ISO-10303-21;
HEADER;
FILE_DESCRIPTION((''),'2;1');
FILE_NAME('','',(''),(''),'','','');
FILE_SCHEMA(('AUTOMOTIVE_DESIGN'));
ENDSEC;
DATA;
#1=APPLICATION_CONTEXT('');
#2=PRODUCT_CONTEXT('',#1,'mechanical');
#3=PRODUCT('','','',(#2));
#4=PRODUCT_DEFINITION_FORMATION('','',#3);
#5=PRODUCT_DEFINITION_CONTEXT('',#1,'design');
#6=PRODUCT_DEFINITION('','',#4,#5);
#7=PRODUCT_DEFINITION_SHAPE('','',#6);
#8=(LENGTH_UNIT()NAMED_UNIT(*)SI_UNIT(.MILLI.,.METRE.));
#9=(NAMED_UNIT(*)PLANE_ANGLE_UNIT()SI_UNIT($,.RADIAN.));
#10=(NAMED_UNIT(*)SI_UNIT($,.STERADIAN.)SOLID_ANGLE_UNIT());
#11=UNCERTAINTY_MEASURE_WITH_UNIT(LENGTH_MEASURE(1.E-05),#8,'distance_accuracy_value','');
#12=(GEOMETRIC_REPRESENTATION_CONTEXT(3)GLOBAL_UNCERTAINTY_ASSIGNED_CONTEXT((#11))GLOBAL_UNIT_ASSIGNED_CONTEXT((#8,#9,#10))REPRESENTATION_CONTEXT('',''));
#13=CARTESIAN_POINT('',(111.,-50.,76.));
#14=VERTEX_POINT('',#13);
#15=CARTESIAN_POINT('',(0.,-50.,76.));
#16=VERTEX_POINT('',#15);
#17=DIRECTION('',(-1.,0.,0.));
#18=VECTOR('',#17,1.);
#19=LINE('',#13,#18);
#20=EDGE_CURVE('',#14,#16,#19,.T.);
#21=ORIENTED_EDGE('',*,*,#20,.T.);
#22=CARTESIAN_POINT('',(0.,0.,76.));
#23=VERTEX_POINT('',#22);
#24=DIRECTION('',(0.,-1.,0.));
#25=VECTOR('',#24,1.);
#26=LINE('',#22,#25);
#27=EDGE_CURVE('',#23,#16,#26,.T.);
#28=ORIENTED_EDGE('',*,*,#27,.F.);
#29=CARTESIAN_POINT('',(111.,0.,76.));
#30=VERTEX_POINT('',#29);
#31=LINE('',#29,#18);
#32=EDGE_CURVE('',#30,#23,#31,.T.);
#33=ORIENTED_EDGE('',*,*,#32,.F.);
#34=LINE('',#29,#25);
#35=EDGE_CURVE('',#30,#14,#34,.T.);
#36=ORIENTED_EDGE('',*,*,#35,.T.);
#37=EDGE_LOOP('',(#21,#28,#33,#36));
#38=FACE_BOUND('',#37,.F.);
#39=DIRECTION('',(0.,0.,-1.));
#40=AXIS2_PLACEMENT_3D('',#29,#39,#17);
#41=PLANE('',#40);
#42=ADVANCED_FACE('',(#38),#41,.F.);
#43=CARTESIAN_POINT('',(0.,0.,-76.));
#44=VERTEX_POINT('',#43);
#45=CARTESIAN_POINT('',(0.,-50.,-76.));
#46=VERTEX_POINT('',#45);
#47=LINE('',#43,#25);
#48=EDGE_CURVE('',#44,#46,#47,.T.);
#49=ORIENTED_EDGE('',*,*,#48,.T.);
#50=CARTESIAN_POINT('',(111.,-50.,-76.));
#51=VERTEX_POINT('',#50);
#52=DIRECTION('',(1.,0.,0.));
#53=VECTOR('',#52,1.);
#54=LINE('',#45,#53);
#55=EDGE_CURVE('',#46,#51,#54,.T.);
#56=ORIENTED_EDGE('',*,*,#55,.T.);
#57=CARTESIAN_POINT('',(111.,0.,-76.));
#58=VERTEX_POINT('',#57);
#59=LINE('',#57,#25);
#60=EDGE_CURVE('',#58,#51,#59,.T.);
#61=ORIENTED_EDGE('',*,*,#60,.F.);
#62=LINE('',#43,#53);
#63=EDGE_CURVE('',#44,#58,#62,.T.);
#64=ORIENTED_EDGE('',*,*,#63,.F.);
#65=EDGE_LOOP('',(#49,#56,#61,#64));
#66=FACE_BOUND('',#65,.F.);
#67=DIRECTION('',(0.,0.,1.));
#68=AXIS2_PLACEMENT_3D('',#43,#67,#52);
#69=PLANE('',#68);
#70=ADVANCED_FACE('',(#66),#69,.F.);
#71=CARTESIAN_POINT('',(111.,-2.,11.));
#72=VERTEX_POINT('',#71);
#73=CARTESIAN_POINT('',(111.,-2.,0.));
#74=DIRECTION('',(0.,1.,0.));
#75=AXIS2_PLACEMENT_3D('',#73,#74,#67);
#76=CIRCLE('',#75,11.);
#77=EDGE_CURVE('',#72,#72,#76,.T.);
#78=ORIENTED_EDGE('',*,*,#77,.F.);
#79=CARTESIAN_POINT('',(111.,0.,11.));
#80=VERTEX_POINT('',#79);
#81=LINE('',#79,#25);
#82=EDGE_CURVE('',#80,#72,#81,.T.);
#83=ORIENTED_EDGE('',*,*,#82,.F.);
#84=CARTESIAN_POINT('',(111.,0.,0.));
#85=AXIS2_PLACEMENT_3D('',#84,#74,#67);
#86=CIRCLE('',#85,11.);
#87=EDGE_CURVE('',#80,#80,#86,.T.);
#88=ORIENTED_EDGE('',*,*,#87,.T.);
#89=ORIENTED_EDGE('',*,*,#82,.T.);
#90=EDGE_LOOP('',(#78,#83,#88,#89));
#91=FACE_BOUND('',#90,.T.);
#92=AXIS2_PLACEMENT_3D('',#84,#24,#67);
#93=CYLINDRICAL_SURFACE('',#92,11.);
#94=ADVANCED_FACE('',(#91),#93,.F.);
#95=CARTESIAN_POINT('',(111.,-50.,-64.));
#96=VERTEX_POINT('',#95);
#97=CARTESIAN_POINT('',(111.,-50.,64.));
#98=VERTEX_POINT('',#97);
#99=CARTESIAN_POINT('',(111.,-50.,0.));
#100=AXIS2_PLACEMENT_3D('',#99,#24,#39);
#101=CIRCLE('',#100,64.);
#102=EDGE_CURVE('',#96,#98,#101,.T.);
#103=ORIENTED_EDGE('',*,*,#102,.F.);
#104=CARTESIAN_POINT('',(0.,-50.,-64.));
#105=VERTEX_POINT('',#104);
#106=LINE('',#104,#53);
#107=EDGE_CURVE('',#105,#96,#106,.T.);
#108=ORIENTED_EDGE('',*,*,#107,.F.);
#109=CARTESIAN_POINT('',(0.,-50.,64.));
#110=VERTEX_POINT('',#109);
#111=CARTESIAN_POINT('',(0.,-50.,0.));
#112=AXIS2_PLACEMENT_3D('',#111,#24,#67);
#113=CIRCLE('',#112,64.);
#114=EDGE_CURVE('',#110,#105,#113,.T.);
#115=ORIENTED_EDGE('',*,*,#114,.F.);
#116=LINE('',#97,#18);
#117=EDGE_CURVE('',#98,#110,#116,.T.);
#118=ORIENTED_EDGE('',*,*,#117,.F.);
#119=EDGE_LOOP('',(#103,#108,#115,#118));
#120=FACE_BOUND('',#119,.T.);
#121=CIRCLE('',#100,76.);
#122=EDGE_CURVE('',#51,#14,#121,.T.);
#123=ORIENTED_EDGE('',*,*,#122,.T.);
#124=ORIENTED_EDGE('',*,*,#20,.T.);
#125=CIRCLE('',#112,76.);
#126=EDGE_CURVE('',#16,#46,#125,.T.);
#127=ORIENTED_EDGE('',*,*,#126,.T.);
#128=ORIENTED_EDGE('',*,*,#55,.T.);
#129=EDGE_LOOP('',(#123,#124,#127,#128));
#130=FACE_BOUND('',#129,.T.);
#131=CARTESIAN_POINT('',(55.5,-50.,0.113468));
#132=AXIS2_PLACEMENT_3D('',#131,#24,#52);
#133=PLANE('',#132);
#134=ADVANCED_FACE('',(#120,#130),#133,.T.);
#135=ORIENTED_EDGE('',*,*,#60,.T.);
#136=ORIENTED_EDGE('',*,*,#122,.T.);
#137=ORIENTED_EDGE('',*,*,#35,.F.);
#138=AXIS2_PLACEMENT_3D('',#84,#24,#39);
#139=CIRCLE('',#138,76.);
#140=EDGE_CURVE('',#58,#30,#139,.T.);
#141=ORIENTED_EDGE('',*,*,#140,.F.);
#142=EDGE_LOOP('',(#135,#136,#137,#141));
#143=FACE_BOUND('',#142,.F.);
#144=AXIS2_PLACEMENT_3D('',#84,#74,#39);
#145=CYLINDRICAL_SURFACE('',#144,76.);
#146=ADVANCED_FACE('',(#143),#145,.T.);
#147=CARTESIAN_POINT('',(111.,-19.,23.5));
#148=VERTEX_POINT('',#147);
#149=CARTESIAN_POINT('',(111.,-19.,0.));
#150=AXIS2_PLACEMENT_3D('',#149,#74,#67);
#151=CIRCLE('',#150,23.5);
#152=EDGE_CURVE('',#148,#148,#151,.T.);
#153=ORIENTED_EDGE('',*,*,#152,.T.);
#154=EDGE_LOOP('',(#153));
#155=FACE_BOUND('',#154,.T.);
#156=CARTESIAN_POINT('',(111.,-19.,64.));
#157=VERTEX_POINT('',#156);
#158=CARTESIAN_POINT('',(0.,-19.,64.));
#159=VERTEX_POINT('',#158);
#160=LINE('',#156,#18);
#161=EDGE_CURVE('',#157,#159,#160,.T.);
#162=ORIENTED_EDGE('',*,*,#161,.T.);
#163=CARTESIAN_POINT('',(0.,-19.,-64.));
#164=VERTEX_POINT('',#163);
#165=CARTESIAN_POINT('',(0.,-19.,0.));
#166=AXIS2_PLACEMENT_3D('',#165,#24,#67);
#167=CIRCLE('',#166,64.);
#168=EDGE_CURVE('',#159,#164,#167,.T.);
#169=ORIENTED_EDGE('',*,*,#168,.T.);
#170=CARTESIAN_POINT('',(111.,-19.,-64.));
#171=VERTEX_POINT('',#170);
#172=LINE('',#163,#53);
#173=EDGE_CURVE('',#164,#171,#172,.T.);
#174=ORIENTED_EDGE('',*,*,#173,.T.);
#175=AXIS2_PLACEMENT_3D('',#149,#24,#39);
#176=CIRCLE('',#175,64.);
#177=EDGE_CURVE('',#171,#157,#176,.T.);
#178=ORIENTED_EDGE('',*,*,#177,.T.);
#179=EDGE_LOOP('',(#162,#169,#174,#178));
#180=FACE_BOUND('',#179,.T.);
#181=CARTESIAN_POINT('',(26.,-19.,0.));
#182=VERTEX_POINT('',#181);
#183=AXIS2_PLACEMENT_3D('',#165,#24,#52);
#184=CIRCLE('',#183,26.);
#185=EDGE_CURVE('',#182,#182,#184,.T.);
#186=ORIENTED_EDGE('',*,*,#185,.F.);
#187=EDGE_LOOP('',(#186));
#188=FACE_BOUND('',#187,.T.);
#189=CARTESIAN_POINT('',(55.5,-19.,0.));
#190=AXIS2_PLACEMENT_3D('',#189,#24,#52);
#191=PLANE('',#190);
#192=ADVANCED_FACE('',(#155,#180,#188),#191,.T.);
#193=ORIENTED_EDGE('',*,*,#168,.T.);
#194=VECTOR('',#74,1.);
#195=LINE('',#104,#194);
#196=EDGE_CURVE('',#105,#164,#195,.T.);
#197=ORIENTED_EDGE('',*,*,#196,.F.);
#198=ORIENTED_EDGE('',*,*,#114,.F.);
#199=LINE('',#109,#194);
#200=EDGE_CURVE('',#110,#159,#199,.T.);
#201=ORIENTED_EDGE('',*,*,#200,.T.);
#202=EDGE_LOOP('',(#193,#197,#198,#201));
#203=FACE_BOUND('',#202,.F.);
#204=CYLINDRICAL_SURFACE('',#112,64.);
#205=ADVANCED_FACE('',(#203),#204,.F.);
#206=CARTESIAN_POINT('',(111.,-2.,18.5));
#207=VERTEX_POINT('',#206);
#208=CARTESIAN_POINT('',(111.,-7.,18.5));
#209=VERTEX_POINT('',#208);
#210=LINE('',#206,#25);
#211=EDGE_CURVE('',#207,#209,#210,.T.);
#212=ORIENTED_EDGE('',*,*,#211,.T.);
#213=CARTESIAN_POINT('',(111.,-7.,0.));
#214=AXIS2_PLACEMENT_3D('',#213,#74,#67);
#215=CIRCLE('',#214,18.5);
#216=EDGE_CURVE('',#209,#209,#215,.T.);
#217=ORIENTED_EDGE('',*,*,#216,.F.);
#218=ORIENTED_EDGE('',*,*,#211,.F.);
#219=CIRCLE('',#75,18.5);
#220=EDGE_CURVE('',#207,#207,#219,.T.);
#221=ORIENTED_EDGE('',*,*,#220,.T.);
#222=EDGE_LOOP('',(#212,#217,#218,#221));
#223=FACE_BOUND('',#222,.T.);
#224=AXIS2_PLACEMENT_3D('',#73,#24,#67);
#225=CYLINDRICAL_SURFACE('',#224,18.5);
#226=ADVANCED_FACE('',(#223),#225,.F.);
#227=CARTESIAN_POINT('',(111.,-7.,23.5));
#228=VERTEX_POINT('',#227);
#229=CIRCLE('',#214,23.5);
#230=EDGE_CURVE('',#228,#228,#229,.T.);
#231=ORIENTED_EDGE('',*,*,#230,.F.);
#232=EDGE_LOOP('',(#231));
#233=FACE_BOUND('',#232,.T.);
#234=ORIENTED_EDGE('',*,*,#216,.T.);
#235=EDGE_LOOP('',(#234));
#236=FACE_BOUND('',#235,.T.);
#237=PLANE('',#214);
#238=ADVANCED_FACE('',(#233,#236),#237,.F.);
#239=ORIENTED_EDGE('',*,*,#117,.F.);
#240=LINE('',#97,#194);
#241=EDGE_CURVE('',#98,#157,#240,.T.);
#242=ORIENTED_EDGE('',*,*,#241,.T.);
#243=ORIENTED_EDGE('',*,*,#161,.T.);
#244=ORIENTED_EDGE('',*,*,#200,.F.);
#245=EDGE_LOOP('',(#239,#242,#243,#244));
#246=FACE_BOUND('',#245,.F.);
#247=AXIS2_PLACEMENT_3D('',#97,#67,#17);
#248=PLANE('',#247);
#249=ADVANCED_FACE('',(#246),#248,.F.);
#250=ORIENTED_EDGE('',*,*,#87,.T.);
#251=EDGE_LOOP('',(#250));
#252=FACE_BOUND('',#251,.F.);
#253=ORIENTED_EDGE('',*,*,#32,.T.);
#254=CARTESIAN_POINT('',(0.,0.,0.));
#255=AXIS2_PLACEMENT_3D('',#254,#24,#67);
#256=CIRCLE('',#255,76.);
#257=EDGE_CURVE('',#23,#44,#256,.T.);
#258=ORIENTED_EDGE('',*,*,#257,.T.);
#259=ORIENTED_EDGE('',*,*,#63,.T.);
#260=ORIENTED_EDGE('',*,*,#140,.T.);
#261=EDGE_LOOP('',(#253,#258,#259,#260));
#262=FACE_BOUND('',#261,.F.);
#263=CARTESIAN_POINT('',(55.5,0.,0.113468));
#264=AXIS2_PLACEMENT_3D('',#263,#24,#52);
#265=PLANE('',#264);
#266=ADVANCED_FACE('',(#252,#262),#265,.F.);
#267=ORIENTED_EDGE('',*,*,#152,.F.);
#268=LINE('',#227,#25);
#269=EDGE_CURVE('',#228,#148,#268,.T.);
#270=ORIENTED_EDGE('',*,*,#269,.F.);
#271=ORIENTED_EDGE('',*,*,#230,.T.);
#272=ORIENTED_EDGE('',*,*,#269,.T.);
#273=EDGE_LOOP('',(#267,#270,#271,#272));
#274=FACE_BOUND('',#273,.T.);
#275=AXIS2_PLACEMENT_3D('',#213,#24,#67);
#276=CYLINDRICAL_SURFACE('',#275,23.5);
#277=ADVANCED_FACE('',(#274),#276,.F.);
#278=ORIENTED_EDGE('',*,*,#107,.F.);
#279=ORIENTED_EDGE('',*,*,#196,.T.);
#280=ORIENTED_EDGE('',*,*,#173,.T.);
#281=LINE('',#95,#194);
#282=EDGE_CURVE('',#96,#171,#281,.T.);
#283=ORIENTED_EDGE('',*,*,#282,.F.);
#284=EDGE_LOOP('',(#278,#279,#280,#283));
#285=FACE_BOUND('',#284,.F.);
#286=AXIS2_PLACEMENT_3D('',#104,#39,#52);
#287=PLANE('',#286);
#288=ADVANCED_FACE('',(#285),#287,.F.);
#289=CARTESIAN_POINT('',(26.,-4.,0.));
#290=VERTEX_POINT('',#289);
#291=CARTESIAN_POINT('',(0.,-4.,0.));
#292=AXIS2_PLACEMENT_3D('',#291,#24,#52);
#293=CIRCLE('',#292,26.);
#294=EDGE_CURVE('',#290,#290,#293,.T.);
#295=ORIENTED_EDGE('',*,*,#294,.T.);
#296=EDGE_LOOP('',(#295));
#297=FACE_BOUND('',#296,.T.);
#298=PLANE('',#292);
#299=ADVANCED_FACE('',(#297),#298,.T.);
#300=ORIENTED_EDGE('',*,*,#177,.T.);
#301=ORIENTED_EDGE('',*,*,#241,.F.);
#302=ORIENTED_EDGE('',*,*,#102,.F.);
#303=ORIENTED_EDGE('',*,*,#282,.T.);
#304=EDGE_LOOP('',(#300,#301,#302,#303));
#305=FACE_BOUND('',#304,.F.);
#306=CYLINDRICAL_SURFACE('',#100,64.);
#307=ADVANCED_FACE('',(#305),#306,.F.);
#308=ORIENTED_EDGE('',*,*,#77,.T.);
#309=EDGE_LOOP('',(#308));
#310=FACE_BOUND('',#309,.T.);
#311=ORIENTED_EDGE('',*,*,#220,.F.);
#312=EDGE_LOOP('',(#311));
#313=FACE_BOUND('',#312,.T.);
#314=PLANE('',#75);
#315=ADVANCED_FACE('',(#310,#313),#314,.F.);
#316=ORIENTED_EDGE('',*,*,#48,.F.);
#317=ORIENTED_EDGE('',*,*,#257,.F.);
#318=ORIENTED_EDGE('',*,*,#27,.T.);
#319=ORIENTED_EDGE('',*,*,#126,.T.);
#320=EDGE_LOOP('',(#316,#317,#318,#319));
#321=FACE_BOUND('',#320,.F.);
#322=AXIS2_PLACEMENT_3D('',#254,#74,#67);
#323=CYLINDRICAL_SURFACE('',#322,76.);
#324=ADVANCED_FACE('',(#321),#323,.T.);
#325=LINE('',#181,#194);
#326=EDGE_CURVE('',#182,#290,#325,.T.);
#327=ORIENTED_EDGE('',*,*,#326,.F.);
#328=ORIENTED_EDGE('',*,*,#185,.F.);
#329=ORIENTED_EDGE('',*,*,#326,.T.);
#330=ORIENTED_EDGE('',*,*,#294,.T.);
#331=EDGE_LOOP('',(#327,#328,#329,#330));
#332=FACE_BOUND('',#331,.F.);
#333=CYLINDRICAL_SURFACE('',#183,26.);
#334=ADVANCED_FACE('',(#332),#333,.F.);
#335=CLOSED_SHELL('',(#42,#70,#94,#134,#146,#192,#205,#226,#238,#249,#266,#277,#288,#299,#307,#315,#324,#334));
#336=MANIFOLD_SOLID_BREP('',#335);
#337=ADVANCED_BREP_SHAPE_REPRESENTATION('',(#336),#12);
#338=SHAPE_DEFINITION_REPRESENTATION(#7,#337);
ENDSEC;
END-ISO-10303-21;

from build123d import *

# Parameters (mm, degrees)
F1_DEPTH = 50
F4_DEPTH = 31
F5_R     = 26
F6_DEPTH = 15


with BuildPart() as f1:
    # F0 (on Front) → F1 (new body)
    with BuildSketch(Plane.XZ):
        with BuildLine():
            Line((111, 76), (0, 76))
            ThreePointArc((0, 76), (-76, 0), (0, -76))
            ThreePointArc((0, -76), (30.2492433933, -69.7207521053), (55.5, -51.9206124771))
            ThreePointArc((55.5, -51.9206124771), (80.7507566067, -69.7207521053), (111, -76))
            ThreePointArc((111, -76), (187, 0), (111, 76))
        make_face()
        with BuildLine():
            ThreePointArc((55.5, -51.9206124771), (30.2492433933, -69.7207521053), (0, -76))
            Line((0, -76), (111, -76))
            ThreePointArc((111, -76), (80.7507566067, -69.7207521053), (55.5, -51.9206124771))
        make_face()
    extrude(amount=F1_DEPTH)

    # F3 (on offset) → F4 (cut)
    with BuildSketch(Plane.XZ.offset(50)):
        with BuildLine():
            Line((111, 64), (0, 64))
            ThreePointArc((0, 64), (-64, 0), (0, -64))
            Line((0, -64), (111, -64))
            ThreePointArc((111, -64), (175, 0), (111, 64))
        make_face()
    extrude(amount=-F4_DEPTH, mode=Mode.SUBTRACT)

    # F5 (on face) → F6 (cut)
    with BuildSketch(Plane.XZ.offset(19)):
        Circle(F5_R)
    extrude(amount=-F6_DEPTH, mode=Mode.SUBTRACT)

    # F8 (on offset) → F9 (revolve, cut)
    with BuildSketch(Plane.YZ.offset(111)):
        Polygon((-7, 23.5), (-19, 23.5), (-19, 0), (0, 0), (0, 11), (-2, 11), (-2, 18.5), (-7, 18.5), align=None)
    revolve(axis=Axis((111, -16.0990557633, 0), (0, 1, 0)), mode=Mode.SUBTRACT)


solid = f1.part
